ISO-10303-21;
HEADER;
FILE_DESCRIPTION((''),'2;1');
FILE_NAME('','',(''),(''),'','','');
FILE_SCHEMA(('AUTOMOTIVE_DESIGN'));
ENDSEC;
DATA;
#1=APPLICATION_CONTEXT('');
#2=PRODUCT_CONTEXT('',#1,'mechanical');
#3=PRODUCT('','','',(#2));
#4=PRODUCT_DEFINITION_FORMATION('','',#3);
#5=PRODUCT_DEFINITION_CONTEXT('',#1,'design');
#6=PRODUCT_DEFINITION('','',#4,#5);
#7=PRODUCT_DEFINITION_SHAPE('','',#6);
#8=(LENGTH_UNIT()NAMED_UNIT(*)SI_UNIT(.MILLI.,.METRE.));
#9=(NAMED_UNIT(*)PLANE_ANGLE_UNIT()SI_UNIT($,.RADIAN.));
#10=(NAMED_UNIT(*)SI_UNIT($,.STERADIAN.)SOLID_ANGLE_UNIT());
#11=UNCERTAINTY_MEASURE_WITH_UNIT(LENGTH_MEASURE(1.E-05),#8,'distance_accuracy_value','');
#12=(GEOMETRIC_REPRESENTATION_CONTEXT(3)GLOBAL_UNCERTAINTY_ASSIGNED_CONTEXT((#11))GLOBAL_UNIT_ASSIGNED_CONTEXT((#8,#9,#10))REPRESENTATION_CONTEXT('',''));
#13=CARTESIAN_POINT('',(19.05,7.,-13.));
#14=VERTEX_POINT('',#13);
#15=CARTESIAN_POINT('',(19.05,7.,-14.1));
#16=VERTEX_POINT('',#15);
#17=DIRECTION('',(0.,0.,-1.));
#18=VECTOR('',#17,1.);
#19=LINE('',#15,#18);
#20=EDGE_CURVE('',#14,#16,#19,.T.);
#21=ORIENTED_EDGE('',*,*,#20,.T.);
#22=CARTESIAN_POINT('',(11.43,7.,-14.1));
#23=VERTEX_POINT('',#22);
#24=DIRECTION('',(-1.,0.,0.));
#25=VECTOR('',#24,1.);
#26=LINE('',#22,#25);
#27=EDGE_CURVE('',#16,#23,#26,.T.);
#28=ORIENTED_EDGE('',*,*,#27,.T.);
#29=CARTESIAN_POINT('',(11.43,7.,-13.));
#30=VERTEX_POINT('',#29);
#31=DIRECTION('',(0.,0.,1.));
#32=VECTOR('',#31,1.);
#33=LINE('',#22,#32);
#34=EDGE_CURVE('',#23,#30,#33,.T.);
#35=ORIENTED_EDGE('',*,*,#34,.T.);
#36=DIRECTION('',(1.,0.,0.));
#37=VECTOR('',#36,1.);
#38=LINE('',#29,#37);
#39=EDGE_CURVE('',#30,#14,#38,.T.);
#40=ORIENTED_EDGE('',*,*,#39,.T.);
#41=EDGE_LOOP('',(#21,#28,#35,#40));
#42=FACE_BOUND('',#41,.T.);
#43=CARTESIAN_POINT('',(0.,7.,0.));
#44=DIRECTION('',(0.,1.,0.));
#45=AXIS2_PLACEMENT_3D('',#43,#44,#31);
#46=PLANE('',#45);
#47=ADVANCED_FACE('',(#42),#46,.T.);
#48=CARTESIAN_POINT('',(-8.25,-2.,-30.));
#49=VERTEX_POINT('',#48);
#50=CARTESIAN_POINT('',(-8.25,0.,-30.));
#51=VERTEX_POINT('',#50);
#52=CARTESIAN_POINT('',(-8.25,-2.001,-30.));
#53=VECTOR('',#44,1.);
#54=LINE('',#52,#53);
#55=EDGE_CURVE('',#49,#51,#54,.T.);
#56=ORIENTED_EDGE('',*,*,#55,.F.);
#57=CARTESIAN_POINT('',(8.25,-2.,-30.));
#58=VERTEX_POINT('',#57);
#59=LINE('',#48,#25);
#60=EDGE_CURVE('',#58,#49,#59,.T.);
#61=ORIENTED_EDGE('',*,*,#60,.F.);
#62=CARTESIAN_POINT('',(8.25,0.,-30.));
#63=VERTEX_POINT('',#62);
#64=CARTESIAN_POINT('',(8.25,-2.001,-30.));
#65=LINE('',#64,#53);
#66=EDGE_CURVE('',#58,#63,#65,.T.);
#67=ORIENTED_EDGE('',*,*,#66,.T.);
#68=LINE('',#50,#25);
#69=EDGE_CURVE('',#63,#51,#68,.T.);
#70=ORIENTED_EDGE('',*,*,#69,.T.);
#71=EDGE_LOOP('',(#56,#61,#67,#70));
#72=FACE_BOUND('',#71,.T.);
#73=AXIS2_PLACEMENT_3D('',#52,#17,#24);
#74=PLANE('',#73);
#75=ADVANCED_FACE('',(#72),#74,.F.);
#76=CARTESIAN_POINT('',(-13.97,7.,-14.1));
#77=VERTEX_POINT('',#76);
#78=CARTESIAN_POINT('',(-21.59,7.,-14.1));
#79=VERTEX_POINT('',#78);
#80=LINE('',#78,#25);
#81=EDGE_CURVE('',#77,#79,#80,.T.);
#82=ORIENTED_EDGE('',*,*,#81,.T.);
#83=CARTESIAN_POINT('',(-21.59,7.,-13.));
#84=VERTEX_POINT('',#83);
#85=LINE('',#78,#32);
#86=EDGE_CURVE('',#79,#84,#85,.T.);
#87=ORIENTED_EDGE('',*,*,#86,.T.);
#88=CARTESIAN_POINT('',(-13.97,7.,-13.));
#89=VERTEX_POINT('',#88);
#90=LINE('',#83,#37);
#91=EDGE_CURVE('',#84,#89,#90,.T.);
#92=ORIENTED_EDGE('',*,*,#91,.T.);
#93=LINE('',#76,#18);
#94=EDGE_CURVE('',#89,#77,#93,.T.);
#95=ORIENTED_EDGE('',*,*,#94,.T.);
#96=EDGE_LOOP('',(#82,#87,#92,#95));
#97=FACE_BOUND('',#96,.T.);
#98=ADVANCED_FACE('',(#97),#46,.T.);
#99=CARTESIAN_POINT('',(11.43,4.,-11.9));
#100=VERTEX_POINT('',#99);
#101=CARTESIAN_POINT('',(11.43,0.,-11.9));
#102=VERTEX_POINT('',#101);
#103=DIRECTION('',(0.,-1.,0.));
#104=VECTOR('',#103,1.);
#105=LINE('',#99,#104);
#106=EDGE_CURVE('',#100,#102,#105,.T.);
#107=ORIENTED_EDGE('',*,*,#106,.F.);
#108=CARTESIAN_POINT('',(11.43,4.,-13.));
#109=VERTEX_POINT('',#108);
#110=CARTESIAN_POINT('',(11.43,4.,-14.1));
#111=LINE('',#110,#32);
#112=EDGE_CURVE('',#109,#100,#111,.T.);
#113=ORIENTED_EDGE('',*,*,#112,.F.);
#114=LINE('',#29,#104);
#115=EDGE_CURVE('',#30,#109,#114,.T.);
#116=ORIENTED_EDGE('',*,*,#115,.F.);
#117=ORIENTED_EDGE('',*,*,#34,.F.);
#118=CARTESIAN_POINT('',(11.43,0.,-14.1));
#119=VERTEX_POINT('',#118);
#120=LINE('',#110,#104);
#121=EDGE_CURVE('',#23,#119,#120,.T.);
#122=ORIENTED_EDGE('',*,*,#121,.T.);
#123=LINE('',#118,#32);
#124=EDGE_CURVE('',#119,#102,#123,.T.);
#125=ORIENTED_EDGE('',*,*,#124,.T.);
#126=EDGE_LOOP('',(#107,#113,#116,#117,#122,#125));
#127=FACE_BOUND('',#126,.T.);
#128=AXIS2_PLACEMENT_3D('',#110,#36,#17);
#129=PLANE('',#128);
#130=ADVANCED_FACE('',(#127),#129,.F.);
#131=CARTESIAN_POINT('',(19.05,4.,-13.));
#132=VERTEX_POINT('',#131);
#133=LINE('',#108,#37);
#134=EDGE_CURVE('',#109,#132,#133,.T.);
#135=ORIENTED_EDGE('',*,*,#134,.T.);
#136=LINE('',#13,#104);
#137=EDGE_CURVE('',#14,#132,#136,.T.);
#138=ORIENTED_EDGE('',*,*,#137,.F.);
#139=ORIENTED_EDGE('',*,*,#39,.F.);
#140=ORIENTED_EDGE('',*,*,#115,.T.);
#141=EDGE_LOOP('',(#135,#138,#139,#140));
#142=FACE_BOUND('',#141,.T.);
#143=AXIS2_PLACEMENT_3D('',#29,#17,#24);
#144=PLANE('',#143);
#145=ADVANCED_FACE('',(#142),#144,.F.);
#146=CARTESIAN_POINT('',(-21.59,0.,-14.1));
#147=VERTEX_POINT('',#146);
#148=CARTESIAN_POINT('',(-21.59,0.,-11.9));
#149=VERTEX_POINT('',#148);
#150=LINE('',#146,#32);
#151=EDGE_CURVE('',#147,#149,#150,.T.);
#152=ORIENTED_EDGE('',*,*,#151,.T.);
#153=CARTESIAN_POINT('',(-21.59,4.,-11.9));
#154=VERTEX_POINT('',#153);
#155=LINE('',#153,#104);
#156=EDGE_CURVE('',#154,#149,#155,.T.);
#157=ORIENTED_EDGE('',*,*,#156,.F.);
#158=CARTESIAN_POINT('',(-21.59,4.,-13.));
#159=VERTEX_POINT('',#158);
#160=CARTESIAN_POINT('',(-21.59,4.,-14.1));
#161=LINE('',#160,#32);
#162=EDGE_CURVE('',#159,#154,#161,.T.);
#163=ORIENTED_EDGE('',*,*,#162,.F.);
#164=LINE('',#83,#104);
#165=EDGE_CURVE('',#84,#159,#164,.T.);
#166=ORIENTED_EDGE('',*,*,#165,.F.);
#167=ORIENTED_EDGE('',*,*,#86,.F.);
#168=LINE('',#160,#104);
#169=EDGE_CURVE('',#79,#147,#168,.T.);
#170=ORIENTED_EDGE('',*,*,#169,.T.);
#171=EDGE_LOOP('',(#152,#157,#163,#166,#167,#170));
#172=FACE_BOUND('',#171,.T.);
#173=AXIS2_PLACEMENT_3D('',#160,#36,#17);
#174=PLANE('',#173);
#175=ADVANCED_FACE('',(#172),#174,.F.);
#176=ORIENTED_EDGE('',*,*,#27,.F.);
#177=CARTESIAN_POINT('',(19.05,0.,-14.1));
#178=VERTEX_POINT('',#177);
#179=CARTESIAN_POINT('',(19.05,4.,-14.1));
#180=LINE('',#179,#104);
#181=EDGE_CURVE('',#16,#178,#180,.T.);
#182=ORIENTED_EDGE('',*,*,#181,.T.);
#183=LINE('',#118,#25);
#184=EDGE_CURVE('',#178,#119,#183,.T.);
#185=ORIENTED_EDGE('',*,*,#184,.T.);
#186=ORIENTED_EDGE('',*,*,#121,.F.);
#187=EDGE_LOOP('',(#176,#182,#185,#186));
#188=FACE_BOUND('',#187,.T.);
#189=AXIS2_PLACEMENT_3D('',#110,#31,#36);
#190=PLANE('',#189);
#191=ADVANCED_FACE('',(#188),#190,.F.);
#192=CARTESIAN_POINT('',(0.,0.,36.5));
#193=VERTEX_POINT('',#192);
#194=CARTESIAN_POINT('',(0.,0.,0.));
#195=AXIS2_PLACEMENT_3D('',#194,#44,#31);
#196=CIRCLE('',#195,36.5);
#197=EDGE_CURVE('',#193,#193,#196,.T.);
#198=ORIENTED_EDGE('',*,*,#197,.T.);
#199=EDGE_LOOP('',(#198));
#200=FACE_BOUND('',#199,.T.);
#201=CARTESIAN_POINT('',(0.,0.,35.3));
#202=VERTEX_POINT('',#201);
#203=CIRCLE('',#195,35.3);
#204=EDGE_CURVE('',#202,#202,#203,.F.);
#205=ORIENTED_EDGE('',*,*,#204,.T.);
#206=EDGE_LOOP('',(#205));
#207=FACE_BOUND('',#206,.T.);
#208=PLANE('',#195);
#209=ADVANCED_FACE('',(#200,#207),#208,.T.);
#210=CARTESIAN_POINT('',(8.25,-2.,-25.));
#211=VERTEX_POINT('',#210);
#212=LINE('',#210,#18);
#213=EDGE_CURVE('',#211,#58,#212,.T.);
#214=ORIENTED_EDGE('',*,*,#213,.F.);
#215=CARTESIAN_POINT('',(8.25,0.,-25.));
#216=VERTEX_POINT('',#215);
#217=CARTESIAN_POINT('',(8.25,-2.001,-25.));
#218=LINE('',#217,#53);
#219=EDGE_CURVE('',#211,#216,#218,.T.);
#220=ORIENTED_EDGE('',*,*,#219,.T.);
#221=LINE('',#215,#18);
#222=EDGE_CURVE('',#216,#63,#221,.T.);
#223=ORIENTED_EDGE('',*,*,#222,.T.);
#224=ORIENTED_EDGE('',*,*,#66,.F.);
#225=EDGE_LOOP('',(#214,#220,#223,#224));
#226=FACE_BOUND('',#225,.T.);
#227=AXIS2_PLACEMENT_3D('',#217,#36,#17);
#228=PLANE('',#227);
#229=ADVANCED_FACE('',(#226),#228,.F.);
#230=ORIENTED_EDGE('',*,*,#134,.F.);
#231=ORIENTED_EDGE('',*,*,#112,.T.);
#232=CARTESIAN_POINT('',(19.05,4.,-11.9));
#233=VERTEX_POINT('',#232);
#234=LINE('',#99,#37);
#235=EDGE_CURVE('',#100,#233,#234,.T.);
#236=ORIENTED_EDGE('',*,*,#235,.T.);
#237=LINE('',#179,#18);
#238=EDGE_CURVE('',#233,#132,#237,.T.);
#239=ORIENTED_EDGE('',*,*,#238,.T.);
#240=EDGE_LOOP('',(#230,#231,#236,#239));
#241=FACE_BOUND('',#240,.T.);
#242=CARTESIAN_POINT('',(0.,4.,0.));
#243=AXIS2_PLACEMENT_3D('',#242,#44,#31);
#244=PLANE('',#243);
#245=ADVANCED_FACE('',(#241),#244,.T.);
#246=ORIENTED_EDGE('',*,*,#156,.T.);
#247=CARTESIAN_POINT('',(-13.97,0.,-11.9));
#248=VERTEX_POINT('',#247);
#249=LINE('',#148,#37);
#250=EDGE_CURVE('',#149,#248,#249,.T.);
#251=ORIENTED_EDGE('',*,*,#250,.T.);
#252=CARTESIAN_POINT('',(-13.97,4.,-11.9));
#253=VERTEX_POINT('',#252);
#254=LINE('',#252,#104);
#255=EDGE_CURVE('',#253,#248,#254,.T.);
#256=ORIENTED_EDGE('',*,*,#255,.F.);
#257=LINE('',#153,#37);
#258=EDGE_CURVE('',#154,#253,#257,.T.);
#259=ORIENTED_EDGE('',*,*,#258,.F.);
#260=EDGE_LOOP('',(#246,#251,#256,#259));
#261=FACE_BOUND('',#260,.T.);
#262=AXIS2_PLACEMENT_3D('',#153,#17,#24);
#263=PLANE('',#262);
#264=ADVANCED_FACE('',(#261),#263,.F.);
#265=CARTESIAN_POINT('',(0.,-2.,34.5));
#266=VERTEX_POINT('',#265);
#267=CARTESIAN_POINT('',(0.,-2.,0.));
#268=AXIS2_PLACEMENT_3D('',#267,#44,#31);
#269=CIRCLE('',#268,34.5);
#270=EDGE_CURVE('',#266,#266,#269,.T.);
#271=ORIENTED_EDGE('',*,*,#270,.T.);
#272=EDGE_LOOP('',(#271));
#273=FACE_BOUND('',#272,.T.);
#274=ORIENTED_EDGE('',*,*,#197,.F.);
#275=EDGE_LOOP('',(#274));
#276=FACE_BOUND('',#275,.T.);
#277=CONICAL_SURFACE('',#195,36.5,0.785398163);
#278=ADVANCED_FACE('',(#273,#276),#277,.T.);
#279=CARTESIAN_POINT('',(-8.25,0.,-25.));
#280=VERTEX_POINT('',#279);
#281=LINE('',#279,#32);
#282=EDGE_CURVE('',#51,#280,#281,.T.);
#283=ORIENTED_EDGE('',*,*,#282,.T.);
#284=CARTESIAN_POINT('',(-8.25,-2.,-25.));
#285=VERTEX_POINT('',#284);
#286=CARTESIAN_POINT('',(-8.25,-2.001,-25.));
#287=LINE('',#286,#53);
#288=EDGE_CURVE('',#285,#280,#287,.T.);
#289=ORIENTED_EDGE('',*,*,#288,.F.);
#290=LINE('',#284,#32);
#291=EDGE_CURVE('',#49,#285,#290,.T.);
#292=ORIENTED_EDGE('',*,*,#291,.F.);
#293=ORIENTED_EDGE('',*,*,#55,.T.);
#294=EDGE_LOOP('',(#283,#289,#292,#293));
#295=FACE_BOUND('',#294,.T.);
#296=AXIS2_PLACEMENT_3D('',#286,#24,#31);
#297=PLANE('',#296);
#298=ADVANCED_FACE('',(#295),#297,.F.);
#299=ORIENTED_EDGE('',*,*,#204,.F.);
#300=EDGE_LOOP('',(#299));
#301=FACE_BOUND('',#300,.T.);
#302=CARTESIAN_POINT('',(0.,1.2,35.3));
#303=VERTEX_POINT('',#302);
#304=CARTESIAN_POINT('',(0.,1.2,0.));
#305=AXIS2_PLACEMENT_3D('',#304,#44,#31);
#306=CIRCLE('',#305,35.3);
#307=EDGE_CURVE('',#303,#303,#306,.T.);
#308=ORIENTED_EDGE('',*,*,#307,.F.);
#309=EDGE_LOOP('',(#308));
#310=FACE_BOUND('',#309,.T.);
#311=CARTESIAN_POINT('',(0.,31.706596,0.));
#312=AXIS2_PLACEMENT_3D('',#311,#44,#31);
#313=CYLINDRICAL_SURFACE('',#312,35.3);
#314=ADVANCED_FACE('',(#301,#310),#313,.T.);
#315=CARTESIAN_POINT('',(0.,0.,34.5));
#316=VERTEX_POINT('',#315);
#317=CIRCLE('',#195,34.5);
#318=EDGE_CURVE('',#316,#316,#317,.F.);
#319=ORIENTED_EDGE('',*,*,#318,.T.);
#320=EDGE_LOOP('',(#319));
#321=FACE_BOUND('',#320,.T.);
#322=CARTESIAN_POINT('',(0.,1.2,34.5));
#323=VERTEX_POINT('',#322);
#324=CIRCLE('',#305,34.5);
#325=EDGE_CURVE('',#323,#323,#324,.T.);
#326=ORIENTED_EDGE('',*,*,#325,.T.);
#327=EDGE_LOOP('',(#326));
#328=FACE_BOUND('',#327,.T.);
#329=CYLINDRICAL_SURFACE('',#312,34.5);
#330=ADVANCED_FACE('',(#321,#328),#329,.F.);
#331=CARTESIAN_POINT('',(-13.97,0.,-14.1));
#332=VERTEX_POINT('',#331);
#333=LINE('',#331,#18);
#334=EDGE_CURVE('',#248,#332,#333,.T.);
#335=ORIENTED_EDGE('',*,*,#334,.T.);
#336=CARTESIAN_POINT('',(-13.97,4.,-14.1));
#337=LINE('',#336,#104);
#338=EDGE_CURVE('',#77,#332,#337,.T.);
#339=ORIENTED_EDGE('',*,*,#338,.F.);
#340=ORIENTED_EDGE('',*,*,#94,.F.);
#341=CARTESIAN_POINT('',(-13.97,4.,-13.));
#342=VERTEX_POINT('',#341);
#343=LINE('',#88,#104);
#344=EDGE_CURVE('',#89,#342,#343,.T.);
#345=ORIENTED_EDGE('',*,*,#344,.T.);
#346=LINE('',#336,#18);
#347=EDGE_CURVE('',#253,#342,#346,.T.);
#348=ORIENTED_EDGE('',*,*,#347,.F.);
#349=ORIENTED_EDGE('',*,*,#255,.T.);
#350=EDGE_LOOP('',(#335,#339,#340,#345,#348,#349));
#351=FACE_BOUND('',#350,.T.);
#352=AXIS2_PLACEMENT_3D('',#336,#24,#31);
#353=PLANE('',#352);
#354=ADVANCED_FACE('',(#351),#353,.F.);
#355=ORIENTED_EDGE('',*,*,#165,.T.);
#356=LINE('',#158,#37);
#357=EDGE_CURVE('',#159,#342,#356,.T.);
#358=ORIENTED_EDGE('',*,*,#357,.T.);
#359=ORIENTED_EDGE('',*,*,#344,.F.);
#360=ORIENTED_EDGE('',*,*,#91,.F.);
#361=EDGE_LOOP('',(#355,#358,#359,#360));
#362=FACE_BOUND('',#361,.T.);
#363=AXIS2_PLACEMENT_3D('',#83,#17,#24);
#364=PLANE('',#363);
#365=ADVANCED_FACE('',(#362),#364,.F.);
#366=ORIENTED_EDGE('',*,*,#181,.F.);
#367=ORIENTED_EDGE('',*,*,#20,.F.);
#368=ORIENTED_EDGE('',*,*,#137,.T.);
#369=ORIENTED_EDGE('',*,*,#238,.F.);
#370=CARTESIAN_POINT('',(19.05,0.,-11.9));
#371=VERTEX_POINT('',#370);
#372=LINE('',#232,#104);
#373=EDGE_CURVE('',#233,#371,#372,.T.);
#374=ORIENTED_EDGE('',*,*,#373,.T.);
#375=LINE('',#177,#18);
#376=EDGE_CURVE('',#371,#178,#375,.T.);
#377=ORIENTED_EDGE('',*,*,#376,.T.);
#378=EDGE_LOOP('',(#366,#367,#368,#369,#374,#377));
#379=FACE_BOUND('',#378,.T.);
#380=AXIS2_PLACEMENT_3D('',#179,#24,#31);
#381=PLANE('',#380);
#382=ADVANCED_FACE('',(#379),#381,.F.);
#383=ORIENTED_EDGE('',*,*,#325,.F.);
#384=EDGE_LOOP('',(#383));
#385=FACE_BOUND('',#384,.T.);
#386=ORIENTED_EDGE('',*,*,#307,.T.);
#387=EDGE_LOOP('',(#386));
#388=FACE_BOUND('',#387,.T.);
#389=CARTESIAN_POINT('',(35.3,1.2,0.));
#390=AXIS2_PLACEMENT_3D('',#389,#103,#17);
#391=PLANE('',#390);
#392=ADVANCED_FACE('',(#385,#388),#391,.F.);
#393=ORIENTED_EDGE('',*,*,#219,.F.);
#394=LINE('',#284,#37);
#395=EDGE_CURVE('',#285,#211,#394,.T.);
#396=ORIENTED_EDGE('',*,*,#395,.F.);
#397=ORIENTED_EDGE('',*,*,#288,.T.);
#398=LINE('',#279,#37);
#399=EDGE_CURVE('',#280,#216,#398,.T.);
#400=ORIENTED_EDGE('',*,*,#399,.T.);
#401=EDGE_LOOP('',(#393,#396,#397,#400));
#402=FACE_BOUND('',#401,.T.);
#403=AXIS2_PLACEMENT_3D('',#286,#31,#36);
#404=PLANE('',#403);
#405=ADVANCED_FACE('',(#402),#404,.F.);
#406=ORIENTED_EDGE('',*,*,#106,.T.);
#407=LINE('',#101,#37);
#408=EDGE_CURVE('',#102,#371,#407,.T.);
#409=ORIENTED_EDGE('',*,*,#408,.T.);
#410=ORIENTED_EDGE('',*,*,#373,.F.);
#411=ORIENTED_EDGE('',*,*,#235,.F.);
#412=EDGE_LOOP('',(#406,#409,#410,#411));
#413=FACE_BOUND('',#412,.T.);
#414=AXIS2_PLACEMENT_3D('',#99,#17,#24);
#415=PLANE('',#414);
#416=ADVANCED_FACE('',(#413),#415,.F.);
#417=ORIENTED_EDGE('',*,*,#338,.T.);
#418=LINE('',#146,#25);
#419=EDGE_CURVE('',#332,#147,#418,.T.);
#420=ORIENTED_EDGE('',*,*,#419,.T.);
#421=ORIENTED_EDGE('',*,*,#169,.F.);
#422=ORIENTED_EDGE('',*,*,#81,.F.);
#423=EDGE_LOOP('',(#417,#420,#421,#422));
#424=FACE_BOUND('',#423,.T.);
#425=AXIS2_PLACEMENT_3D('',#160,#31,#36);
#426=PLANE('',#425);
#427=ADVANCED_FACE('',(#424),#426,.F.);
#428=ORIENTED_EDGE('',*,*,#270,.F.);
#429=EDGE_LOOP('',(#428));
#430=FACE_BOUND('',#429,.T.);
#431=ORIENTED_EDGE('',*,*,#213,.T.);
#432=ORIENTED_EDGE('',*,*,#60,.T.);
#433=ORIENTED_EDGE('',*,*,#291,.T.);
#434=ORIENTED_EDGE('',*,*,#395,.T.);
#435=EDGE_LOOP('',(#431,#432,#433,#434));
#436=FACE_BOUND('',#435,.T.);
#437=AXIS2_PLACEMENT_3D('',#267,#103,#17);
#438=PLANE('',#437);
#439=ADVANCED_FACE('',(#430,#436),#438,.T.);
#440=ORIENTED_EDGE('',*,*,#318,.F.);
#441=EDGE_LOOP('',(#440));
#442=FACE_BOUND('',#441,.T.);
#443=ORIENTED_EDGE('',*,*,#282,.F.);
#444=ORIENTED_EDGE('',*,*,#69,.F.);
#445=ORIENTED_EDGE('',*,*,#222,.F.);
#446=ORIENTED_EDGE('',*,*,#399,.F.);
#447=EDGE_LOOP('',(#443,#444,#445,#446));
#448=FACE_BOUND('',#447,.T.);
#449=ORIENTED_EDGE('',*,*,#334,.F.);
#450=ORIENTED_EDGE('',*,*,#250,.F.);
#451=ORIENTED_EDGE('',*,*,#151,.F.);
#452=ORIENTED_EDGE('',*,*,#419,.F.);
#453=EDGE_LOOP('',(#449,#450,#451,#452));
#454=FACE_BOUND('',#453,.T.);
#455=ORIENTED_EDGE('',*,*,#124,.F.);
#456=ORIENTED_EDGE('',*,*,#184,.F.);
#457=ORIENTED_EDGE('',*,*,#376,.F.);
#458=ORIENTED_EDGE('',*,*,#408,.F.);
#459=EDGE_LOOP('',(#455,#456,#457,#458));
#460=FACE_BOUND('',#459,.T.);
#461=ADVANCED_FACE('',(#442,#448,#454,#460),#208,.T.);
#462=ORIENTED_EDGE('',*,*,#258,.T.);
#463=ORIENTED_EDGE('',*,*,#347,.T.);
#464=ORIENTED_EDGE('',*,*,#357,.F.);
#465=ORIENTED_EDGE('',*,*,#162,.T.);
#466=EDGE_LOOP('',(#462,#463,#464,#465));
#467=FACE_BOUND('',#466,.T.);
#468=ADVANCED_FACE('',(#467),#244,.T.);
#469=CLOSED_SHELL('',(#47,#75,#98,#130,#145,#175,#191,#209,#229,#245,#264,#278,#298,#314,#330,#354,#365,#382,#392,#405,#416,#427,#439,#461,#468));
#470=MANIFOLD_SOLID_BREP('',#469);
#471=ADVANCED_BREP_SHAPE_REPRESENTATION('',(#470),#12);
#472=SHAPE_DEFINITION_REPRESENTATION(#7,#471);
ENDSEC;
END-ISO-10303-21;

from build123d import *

# Parameters (mm, degrees)
SKETCH2_W           = 0.8
SKETCH2_H           = 1.2
CUT_EXTRUDE2_REACH  = 53.658
SKETCH3_W           = 16.5
SKETCH3_H           = 5
SKETCH4_W           = 7.62
SKETCH4_H           = 2.2
BOSS_EXTRUDE1_DEPTH = 4
SKETCH5_W           = 7.62
SKETCH5_H           = 1.1
BOSS_EXTRUDE2_DEPTH = 3


with BuildPart() as part:
    # Sketch2 → Revolve1 (revolve)
    with BuildSketch(Plane.XY, mode=Mode.PRIVATE) as revolve1_sk:
        Polygon((0, -2), (0, 0), (36.5, 0), (34.5, -2), align=None)
        with Locations((34.9, 0.6)):
            Rectangle(SKETCH2_W, SKETCH2_H)
    revolve(revolve1_sk.sketch.rotate(Axis((0, 31.706596317, 0), (0, -1, 0)), 90), axis=Axis((0, 31.706596317, 0), (0, -1, 0)))

    # Sketch3 → Cut-Extrude2 (cut, up to next)
    with BuildSketch(Plane(origin=(0, 0, 0), x_dir=(1, 0, 0), z_dir=(0, 1, 0)), mode=Mode.PRIVATE) as cut_extrude2_sk1:
        with Locations((0, 27.5)):
            Rectangle(SKETCH3_W, SKETCH3_H)
    cut_extrude2_tool1 = extrude(cut_extrude2_sk1.sketch, amount=-CUT_EXTRUDE2_REACH, mode=Mode.PRIVATE) & part.part
    add(cut_extrude2_tool1.solids().sort_by_distance((0, 0, -27.5))[0], mode=Mode.SUBTRACT)

    # Sketch4 → Boss-Extrude1 (add)
    with BuildSketch(Plane(origin=(0, 0, 0), x_dir=(1, 0, 0), z_dir=(0, 1, 0))):
        with Locations((-17.78, 13)):
            Rectangle(SKETCH4_W, SKETCH4_H)
        with Locations((15.24, 13)):
            Rectangle(SKETCH4_W, SKETCH4_H)
    extrude(amount=BOSS_EXTRUDE1_DEPTH)

    # Sketch5 → Boss-Extrude2 (add)
    with BuildSketch(Plane(origin=(0, 4, 0), x_dir=(1, 0, 0), z_dir=(0, 1, 0))):
        with Locations((-17.78, 13.55)):
            Rectangle(SKETCH5_W, SKETCH5_H)
        with Locations((15.24, 13.55)):
            Rectangle(SKETCH5_W, SKETCH5_H)
    extrude(amount=BOSS_EXTRUDE2_DEPTH)


solid = part.part
